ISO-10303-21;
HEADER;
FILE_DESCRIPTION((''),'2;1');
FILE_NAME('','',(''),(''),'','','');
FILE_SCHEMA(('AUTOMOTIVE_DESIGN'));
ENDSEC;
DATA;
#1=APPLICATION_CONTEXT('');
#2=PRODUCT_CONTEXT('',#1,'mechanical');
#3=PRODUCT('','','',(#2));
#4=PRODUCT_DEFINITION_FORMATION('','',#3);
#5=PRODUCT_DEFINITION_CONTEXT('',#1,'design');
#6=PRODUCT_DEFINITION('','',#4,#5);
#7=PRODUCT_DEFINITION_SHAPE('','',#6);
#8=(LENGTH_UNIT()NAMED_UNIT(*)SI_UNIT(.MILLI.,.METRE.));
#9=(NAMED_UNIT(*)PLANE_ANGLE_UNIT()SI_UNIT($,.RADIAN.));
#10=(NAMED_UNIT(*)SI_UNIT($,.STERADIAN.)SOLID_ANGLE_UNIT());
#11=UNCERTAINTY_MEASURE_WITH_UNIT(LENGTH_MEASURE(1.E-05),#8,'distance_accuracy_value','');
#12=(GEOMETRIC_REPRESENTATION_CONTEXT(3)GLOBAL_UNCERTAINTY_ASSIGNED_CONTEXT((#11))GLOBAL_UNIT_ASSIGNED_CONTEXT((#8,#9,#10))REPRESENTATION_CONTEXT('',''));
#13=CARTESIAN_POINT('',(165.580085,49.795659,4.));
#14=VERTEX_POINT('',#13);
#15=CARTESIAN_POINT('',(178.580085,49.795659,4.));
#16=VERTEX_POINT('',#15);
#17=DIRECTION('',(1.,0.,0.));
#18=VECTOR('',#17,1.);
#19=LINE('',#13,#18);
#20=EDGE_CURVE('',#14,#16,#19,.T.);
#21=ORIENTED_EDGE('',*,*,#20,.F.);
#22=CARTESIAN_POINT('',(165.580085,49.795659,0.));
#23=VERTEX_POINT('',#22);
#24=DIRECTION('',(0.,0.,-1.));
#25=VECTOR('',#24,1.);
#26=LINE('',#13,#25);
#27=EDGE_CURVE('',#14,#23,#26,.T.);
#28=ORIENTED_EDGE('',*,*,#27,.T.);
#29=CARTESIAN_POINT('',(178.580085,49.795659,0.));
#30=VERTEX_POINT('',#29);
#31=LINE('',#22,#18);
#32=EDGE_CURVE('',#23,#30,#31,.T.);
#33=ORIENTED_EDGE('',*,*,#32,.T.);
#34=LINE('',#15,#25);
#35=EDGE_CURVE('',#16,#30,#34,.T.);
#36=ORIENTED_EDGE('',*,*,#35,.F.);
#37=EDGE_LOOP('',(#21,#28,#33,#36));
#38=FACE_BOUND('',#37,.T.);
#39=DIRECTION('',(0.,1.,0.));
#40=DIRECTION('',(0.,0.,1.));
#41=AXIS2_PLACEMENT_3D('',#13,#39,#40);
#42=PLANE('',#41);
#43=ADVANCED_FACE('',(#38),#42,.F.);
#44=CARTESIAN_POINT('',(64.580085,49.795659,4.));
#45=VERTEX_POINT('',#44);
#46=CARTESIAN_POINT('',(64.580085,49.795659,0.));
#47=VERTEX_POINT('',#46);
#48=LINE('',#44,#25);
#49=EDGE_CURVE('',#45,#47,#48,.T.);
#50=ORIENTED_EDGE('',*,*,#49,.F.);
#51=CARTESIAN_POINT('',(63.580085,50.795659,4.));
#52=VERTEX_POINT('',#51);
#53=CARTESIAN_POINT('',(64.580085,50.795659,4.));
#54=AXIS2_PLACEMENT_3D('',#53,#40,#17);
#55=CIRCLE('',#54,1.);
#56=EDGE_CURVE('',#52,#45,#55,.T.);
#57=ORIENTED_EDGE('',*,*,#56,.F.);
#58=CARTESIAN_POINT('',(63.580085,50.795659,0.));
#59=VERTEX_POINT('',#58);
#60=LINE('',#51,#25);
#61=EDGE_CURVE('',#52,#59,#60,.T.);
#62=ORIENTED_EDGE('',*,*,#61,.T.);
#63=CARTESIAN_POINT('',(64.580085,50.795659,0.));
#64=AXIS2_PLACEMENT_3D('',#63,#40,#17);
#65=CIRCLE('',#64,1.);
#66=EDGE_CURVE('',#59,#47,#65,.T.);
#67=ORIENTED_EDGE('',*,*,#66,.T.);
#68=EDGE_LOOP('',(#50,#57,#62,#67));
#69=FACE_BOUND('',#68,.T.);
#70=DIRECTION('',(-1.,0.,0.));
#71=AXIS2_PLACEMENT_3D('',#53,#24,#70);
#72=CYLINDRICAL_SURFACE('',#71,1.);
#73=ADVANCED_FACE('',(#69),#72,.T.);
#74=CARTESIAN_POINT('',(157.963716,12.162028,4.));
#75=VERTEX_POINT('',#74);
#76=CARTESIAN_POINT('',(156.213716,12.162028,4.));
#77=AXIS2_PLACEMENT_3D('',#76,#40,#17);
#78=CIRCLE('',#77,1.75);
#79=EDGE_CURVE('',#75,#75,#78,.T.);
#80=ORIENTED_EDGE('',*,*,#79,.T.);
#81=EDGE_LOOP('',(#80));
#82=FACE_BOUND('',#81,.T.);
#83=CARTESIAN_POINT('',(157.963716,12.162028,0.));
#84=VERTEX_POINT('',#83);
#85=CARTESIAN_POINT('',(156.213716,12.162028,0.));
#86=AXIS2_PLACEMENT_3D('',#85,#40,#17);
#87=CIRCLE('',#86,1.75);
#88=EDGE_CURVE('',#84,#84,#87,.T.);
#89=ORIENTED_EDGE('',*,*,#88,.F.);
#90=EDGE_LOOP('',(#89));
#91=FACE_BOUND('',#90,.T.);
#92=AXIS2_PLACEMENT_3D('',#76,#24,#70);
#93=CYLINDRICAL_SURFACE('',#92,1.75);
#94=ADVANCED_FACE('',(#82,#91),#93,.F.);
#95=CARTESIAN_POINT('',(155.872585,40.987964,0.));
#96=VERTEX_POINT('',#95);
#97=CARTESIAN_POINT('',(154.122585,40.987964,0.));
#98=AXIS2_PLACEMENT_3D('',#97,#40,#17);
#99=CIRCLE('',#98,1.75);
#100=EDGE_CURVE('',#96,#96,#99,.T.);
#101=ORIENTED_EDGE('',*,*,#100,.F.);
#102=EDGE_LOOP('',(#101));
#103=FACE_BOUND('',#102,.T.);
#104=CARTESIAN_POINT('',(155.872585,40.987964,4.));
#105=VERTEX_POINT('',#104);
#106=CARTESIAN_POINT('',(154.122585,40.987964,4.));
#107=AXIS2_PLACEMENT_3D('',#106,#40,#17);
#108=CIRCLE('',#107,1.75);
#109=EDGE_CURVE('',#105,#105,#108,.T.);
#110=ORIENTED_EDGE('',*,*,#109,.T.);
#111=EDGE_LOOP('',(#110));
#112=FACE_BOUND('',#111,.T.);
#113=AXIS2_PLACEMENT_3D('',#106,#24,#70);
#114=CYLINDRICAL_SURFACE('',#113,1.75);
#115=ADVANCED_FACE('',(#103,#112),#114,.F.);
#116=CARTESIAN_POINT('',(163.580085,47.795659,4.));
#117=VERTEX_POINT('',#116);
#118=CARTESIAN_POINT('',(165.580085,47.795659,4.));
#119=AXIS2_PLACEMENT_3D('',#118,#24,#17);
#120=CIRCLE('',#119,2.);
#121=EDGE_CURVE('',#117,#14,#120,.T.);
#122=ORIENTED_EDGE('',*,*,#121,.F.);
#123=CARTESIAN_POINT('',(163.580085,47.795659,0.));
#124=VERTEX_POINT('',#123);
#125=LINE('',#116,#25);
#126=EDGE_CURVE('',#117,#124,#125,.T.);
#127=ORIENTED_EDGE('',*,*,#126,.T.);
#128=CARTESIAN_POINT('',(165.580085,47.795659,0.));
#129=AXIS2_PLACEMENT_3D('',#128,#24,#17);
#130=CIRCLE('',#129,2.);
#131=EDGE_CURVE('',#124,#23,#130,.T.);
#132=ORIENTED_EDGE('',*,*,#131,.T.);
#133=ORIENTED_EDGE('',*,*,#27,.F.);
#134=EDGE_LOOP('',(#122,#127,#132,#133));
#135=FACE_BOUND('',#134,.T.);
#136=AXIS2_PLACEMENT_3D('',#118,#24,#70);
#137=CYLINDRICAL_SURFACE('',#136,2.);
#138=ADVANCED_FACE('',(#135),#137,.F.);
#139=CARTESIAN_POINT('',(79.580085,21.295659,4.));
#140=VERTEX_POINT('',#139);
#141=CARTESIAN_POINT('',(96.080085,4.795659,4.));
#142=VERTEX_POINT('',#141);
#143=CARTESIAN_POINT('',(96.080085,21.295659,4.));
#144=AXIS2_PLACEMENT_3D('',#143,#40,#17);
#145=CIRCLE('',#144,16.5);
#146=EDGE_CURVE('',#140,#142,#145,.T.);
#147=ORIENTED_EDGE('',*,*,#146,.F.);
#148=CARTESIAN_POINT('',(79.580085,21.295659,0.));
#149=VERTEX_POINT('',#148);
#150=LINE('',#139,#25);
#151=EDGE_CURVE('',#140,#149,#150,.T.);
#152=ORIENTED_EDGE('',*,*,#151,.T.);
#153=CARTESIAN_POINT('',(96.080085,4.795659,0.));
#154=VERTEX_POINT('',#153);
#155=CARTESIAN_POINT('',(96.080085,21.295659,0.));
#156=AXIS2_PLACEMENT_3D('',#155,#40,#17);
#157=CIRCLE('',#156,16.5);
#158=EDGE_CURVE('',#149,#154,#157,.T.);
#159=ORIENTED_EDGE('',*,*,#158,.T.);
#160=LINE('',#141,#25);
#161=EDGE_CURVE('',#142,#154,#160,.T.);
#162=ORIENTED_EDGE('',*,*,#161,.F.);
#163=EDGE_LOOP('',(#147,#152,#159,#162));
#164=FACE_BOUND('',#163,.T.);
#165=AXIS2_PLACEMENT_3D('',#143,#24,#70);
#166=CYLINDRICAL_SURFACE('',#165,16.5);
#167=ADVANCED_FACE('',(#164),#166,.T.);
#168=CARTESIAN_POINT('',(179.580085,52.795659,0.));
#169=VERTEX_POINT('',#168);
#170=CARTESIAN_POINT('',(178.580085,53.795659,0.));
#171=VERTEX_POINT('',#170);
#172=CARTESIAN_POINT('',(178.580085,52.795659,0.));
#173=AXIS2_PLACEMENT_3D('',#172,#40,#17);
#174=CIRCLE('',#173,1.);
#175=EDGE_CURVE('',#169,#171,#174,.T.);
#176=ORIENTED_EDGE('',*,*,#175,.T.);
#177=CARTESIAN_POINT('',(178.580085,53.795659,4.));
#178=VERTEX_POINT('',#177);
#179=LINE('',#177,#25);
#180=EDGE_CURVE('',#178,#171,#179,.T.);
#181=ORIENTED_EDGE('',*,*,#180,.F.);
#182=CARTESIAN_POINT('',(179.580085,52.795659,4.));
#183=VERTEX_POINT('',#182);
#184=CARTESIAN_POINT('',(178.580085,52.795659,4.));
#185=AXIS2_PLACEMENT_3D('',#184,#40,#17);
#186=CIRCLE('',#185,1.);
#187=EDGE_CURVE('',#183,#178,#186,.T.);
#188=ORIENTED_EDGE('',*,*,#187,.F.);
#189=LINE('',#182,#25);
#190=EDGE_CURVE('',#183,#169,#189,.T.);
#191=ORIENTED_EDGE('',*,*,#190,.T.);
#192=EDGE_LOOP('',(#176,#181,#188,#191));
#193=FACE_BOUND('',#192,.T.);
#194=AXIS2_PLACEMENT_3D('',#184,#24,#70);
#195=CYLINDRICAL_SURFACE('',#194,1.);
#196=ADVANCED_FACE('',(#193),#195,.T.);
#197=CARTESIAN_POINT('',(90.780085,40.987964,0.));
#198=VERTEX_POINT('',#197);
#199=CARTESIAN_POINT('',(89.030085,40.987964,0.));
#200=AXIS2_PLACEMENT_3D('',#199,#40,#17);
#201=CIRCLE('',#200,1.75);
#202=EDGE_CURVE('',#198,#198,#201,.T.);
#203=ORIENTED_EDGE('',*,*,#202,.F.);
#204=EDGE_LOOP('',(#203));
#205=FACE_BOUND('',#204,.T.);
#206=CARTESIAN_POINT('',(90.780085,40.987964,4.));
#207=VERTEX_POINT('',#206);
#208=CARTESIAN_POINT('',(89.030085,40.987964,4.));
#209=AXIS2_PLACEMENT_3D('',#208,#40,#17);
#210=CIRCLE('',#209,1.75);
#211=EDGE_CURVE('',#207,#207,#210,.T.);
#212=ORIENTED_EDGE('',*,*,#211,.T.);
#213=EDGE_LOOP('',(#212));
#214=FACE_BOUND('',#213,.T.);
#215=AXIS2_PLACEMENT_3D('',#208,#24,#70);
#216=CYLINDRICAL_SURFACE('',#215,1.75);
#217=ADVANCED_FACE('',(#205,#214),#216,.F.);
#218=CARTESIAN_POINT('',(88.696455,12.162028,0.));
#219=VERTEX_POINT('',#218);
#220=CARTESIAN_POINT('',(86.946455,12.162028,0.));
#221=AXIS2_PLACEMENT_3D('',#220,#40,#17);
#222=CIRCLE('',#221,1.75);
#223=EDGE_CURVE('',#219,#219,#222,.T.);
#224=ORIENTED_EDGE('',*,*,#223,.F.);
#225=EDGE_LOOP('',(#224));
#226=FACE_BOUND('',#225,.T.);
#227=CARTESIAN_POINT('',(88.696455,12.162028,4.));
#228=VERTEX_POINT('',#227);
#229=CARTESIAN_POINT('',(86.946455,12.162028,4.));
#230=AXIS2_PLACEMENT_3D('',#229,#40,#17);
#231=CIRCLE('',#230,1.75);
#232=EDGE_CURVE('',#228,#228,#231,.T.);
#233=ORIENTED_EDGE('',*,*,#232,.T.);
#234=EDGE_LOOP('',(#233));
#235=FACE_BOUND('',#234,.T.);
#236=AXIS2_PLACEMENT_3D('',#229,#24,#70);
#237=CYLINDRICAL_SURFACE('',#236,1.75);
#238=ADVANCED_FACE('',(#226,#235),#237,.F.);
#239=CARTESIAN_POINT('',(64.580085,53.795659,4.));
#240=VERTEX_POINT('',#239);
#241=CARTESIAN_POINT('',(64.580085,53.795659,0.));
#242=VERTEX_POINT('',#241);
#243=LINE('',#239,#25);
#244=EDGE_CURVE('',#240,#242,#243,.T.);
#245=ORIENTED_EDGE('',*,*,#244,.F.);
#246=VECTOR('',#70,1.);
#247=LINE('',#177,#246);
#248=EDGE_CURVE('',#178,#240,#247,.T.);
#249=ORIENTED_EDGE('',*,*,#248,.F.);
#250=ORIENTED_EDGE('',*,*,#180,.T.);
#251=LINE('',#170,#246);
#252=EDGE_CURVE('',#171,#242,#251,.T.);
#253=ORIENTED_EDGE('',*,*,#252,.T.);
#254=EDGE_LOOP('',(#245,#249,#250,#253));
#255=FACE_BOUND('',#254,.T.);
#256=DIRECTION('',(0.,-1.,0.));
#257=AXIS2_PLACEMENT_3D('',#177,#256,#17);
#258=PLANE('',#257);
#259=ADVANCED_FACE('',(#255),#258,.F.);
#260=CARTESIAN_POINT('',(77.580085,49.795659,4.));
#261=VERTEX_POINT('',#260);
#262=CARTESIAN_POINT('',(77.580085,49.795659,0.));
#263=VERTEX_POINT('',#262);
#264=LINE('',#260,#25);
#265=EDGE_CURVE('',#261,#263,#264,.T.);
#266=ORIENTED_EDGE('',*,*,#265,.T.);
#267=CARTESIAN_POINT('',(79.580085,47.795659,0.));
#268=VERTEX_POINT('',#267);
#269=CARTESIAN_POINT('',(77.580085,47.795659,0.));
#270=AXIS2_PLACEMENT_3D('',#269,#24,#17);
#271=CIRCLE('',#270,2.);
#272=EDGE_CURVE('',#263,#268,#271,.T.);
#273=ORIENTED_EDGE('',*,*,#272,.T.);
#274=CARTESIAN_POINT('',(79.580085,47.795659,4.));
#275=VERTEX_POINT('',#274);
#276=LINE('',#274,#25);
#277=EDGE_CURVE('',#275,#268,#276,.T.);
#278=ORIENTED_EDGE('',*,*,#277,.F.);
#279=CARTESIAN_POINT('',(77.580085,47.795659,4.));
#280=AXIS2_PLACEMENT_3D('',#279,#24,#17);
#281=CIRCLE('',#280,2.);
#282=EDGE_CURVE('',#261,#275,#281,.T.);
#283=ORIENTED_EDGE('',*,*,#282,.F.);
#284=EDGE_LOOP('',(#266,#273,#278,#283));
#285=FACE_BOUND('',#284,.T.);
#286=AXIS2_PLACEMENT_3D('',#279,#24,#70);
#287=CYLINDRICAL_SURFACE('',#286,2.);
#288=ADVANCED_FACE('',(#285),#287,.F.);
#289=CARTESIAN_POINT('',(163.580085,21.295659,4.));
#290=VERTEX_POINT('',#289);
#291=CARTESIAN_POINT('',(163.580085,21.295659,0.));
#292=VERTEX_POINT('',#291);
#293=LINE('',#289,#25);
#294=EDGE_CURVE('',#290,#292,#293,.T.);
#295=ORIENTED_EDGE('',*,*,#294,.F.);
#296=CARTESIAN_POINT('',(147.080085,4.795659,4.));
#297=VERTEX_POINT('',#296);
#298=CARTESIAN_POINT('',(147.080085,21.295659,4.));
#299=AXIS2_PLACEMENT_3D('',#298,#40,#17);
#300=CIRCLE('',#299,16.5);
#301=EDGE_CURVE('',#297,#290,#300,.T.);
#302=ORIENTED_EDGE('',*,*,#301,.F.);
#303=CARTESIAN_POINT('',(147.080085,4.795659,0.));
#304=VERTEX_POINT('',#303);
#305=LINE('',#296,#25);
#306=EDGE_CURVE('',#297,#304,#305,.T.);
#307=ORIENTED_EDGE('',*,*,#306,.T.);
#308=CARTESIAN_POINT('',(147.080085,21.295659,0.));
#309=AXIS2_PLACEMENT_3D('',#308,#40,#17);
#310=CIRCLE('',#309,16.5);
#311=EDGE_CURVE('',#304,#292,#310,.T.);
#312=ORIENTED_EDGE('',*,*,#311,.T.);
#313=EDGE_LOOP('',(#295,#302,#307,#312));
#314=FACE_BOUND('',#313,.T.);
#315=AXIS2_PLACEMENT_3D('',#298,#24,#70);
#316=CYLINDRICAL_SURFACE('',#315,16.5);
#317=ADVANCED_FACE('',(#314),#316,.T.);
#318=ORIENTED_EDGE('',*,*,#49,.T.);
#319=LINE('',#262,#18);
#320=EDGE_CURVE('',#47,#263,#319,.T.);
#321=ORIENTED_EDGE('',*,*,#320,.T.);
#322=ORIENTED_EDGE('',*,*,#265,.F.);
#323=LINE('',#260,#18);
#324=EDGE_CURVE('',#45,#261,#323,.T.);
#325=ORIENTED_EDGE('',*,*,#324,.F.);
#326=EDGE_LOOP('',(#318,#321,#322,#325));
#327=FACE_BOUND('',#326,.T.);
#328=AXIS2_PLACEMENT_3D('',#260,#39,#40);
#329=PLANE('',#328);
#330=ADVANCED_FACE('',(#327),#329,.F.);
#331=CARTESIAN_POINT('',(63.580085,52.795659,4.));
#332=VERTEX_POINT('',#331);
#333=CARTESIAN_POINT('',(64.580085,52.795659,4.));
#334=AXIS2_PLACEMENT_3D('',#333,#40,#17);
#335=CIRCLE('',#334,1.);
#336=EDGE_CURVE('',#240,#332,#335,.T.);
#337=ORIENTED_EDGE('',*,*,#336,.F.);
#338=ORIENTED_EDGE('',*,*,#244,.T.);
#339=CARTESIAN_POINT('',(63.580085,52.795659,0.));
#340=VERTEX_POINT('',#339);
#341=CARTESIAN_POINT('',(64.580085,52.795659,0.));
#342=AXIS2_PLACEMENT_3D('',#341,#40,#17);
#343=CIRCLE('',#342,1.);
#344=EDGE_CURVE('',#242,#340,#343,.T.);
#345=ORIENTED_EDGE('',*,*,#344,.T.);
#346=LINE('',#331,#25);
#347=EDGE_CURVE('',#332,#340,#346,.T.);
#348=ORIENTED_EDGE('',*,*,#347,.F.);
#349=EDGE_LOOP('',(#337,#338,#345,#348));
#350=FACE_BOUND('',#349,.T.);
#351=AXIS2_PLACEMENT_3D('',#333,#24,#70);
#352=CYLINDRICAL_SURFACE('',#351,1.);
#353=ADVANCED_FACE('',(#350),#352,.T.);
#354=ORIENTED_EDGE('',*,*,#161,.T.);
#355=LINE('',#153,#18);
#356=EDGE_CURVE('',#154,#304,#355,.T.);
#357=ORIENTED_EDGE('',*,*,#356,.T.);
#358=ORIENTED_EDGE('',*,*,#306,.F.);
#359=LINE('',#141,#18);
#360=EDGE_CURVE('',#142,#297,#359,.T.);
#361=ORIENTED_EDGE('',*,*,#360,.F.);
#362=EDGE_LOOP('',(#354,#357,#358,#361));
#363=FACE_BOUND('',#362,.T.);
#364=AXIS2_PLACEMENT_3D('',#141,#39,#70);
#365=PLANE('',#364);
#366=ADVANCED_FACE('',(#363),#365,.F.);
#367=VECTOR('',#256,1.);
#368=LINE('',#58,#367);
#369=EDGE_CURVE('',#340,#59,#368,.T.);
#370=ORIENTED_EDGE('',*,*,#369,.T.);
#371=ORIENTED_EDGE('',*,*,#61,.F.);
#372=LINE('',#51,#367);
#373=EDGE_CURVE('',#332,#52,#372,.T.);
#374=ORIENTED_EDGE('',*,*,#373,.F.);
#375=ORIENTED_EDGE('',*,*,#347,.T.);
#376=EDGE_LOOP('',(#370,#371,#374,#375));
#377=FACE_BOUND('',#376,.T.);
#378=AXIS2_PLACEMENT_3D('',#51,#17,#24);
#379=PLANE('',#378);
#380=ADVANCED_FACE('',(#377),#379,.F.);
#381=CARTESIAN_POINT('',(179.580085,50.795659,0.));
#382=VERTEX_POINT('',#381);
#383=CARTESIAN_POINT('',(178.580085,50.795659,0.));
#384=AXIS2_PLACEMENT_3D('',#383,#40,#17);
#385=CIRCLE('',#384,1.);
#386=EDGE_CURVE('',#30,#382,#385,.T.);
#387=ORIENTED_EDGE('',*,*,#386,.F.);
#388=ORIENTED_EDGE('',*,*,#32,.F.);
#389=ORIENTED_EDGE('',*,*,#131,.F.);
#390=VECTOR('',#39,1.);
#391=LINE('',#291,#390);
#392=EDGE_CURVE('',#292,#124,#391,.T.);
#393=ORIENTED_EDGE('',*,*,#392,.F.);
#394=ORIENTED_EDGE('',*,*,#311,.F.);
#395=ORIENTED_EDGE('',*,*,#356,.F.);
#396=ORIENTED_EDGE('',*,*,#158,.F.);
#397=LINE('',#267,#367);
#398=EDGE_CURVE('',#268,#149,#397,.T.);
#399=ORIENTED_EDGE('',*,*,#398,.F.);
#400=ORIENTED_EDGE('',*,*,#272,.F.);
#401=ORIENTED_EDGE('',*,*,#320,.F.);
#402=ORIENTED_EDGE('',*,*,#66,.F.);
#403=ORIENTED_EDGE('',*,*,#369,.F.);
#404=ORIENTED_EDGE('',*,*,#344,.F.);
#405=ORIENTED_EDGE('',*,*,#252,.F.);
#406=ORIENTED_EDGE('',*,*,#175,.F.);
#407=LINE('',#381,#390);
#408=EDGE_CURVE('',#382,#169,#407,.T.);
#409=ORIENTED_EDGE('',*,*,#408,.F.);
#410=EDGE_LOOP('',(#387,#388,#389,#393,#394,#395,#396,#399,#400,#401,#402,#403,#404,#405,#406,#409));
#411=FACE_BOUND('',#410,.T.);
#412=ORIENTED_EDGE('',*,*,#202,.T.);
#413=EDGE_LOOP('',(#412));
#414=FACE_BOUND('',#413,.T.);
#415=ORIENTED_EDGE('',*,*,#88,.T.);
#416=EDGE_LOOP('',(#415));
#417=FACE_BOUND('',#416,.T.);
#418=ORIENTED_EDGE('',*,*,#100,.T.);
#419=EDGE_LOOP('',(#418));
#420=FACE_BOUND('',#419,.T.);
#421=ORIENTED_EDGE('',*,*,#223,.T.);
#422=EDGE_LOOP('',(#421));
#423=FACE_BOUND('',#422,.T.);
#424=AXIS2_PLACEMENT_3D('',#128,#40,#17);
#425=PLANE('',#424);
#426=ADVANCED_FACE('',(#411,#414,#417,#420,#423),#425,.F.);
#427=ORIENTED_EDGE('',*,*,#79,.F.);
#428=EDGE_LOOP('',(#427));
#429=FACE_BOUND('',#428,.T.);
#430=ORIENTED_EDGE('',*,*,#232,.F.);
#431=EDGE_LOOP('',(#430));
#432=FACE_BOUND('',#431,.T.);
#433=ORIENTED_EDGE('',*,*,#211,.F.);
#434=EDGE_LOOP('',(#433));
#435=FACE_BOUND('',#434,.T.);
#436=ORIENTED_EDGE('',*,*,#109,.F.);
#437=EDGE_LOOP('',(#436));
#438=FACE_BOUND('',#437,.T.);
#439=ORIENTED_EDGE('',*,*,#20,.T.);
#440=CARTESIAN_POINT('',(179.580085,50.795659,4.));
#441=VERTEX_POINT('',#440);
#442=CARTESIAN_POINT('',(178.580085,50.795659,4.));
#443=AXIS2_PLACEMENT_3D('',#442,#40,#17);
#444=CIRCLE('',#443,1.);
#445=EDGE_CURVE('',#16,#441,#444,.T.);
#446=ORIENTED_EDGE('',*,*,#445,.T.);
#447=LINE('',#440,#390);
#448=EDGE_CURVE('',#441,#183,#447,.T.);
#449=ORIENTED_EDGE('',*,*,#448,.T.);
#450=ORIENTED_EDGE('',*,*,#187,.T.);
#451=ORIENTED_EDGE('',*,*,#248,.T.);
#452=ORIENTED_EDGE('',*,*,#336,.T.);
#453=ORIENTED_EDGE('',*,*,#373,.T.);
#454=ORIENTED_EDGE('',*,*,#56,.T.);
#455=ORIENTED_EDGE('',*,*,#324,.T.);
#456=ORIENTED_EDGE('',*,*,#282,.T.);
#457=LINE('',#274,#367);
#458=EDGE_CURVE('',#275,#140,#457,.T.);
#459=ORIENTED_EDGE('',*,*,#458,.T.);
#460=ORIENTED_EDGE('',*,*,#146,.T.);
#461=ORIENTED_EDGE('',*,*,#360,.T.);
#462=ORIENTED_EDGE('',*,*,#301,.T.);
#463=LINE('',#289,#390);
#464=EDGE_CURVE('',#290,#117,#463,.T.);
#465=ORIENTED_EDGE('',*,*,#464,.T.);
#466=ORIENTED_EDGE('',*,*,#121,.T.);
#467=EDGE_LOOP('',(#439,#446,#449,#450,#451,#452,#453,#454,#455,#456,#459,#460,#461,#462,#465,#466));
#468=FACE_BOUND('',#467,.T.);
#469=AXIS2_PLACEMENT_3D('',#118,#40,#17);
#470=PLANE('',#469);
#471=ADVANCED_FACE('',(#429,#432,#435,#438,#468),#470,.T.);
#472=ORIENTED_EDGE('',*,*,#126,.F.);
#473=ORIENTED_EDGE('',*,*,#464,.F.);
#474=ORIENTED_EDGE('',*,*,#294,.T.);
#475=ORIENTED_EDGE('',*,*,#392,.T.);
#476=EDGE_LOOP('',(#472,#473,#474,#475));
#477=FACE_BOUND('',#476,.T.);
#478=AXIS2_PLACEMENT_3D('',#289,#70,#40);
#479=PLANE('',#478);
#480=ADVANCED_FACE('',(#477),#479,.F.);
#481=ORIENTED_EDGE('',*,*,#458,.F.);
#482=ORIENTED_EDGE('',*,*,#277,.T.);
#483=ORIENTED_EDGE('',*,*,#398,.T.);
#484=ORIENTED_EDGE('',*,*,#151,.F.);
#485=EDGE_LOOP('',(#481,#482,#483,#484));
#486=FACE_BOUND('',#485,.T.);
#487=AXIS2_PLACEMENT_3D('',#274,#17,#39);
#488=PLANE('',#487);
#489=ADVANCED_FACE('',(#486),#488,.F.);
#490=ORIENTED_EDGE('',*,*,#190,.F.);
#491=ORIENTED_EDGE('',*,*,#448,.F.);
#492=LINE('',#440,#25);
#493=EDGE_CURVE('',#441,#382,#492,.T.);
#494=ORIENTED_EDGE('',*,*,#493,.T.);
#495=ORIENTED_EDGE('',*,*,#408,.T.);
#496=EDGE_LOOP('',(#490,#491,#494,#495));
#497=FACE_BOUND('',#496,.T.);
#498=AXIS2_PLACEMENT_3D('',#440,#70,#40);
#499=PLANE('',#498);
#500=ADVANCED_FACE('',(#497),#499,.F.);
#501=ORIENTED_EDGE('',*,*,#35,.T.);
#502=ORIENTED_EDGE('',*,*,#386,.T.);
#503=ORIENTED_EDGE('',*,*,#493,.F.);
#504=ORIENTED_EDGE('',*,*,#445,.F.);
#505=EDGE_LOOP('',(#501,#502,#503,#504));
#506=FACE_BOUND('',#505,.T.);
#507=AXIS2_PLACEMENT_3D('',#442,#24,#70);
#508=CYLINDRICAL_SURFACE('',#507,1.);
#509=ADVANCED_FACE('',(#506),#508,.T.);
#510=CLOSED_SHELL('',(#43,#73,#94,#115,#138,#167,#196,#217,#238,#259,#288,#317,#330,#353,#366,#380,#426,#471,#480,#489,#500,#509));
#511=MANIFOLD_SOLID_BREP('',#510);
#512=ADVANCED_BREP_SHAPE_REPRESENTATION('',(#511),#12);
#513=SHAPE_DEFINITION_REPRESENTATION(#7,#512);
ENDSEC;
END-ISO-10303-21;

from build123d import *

# Parameters (mm, degrees)
SKETCH1_R           = 1.75
BOSS_EXTRUDE1_DEPTH = 4


with BuildPart() as part:
    # Sketch1 → Boss-Extrude1 (new body)
    with BuildSketch(Plane.XY):
        with BuildLine():
            Line((163.58008547, 21.295659048), (163.58008547, 47.795659048))
            ThreePointArc((163.58008547, 47.795659048), (164.165871907, 49.209872611), (165.58008547, 49.795659048))
            Line((165.58008547, 49.795659048), (178.58008547, 49.795659048))
            ThreePointArc((178.58008547, 49.795659048), (179.287192251, 50.088552267), (179.58008547, 50.795659048))
            Line((179.58008547, 50.795659048), (179.58008547, 52.795659048))
            ThreePointArc((179.58008547, 52.795659048), (179.287192251, 53.502765829), (178.58008547, 53.795659048))
            Line((178.58008547, 53.795659048), (64.58008547, 53.795659048))
            ThreePointArc((64.58008547, 53.795659048), (63.872978688, 53.502765829), (63.58008547, 52.795659048))
            Line((63.58008547, 52.795659048), (63.58008547, 50.795659048))
            ThreePointArc((63.58008547, 50.795659048), (63.872978688, 50.088552267), (64.58008547, 49.795659048))
            Line((64.58008547, 49.795659048), (77.58008547, 49.795659048))
            ThreePointArc((77.58008547, 49.795659048), (78.994299032, 49.209872611), (79.58008547, 47.795659048))
            Line((79.58008547, 47.795659048), (79.58008547, 21.295659048))
            ThreePointArc((79.58008547, 21.295659048), (84.41282358, 9.628397159), (96.08008547, 4.795659048))
            Line((96.08008547, 4.795659048), (147.08008547, 4.795659048))
            ThreePointArc((147.08008547, 4.795659048), (158.747347359, 9.628397159), (163.58008547, 21.295659048))
        make_face()
        with Locations((89.03008547, 40.987963894)):
            Circle(SKETCH1_R, mode=Mode.SUBTRACT)
        with Locations((86.946454525, 12.162028103)):
            Circle(SKETCH1_R, mode=Mode.SUBTRACT)
        with Locations((154.12258547, 40.987963894)):
            Circle(SKETCH1_R, mode=Mode.SUBTRACT)
        with Locations((156.213716414, 12.162028103)):
            Circle(SKETCH1_R, mode=Mode.SUBTRACT)
    extrude(amount=BOSS_EXTRUDE1_DEPTH)


solid = part.part
